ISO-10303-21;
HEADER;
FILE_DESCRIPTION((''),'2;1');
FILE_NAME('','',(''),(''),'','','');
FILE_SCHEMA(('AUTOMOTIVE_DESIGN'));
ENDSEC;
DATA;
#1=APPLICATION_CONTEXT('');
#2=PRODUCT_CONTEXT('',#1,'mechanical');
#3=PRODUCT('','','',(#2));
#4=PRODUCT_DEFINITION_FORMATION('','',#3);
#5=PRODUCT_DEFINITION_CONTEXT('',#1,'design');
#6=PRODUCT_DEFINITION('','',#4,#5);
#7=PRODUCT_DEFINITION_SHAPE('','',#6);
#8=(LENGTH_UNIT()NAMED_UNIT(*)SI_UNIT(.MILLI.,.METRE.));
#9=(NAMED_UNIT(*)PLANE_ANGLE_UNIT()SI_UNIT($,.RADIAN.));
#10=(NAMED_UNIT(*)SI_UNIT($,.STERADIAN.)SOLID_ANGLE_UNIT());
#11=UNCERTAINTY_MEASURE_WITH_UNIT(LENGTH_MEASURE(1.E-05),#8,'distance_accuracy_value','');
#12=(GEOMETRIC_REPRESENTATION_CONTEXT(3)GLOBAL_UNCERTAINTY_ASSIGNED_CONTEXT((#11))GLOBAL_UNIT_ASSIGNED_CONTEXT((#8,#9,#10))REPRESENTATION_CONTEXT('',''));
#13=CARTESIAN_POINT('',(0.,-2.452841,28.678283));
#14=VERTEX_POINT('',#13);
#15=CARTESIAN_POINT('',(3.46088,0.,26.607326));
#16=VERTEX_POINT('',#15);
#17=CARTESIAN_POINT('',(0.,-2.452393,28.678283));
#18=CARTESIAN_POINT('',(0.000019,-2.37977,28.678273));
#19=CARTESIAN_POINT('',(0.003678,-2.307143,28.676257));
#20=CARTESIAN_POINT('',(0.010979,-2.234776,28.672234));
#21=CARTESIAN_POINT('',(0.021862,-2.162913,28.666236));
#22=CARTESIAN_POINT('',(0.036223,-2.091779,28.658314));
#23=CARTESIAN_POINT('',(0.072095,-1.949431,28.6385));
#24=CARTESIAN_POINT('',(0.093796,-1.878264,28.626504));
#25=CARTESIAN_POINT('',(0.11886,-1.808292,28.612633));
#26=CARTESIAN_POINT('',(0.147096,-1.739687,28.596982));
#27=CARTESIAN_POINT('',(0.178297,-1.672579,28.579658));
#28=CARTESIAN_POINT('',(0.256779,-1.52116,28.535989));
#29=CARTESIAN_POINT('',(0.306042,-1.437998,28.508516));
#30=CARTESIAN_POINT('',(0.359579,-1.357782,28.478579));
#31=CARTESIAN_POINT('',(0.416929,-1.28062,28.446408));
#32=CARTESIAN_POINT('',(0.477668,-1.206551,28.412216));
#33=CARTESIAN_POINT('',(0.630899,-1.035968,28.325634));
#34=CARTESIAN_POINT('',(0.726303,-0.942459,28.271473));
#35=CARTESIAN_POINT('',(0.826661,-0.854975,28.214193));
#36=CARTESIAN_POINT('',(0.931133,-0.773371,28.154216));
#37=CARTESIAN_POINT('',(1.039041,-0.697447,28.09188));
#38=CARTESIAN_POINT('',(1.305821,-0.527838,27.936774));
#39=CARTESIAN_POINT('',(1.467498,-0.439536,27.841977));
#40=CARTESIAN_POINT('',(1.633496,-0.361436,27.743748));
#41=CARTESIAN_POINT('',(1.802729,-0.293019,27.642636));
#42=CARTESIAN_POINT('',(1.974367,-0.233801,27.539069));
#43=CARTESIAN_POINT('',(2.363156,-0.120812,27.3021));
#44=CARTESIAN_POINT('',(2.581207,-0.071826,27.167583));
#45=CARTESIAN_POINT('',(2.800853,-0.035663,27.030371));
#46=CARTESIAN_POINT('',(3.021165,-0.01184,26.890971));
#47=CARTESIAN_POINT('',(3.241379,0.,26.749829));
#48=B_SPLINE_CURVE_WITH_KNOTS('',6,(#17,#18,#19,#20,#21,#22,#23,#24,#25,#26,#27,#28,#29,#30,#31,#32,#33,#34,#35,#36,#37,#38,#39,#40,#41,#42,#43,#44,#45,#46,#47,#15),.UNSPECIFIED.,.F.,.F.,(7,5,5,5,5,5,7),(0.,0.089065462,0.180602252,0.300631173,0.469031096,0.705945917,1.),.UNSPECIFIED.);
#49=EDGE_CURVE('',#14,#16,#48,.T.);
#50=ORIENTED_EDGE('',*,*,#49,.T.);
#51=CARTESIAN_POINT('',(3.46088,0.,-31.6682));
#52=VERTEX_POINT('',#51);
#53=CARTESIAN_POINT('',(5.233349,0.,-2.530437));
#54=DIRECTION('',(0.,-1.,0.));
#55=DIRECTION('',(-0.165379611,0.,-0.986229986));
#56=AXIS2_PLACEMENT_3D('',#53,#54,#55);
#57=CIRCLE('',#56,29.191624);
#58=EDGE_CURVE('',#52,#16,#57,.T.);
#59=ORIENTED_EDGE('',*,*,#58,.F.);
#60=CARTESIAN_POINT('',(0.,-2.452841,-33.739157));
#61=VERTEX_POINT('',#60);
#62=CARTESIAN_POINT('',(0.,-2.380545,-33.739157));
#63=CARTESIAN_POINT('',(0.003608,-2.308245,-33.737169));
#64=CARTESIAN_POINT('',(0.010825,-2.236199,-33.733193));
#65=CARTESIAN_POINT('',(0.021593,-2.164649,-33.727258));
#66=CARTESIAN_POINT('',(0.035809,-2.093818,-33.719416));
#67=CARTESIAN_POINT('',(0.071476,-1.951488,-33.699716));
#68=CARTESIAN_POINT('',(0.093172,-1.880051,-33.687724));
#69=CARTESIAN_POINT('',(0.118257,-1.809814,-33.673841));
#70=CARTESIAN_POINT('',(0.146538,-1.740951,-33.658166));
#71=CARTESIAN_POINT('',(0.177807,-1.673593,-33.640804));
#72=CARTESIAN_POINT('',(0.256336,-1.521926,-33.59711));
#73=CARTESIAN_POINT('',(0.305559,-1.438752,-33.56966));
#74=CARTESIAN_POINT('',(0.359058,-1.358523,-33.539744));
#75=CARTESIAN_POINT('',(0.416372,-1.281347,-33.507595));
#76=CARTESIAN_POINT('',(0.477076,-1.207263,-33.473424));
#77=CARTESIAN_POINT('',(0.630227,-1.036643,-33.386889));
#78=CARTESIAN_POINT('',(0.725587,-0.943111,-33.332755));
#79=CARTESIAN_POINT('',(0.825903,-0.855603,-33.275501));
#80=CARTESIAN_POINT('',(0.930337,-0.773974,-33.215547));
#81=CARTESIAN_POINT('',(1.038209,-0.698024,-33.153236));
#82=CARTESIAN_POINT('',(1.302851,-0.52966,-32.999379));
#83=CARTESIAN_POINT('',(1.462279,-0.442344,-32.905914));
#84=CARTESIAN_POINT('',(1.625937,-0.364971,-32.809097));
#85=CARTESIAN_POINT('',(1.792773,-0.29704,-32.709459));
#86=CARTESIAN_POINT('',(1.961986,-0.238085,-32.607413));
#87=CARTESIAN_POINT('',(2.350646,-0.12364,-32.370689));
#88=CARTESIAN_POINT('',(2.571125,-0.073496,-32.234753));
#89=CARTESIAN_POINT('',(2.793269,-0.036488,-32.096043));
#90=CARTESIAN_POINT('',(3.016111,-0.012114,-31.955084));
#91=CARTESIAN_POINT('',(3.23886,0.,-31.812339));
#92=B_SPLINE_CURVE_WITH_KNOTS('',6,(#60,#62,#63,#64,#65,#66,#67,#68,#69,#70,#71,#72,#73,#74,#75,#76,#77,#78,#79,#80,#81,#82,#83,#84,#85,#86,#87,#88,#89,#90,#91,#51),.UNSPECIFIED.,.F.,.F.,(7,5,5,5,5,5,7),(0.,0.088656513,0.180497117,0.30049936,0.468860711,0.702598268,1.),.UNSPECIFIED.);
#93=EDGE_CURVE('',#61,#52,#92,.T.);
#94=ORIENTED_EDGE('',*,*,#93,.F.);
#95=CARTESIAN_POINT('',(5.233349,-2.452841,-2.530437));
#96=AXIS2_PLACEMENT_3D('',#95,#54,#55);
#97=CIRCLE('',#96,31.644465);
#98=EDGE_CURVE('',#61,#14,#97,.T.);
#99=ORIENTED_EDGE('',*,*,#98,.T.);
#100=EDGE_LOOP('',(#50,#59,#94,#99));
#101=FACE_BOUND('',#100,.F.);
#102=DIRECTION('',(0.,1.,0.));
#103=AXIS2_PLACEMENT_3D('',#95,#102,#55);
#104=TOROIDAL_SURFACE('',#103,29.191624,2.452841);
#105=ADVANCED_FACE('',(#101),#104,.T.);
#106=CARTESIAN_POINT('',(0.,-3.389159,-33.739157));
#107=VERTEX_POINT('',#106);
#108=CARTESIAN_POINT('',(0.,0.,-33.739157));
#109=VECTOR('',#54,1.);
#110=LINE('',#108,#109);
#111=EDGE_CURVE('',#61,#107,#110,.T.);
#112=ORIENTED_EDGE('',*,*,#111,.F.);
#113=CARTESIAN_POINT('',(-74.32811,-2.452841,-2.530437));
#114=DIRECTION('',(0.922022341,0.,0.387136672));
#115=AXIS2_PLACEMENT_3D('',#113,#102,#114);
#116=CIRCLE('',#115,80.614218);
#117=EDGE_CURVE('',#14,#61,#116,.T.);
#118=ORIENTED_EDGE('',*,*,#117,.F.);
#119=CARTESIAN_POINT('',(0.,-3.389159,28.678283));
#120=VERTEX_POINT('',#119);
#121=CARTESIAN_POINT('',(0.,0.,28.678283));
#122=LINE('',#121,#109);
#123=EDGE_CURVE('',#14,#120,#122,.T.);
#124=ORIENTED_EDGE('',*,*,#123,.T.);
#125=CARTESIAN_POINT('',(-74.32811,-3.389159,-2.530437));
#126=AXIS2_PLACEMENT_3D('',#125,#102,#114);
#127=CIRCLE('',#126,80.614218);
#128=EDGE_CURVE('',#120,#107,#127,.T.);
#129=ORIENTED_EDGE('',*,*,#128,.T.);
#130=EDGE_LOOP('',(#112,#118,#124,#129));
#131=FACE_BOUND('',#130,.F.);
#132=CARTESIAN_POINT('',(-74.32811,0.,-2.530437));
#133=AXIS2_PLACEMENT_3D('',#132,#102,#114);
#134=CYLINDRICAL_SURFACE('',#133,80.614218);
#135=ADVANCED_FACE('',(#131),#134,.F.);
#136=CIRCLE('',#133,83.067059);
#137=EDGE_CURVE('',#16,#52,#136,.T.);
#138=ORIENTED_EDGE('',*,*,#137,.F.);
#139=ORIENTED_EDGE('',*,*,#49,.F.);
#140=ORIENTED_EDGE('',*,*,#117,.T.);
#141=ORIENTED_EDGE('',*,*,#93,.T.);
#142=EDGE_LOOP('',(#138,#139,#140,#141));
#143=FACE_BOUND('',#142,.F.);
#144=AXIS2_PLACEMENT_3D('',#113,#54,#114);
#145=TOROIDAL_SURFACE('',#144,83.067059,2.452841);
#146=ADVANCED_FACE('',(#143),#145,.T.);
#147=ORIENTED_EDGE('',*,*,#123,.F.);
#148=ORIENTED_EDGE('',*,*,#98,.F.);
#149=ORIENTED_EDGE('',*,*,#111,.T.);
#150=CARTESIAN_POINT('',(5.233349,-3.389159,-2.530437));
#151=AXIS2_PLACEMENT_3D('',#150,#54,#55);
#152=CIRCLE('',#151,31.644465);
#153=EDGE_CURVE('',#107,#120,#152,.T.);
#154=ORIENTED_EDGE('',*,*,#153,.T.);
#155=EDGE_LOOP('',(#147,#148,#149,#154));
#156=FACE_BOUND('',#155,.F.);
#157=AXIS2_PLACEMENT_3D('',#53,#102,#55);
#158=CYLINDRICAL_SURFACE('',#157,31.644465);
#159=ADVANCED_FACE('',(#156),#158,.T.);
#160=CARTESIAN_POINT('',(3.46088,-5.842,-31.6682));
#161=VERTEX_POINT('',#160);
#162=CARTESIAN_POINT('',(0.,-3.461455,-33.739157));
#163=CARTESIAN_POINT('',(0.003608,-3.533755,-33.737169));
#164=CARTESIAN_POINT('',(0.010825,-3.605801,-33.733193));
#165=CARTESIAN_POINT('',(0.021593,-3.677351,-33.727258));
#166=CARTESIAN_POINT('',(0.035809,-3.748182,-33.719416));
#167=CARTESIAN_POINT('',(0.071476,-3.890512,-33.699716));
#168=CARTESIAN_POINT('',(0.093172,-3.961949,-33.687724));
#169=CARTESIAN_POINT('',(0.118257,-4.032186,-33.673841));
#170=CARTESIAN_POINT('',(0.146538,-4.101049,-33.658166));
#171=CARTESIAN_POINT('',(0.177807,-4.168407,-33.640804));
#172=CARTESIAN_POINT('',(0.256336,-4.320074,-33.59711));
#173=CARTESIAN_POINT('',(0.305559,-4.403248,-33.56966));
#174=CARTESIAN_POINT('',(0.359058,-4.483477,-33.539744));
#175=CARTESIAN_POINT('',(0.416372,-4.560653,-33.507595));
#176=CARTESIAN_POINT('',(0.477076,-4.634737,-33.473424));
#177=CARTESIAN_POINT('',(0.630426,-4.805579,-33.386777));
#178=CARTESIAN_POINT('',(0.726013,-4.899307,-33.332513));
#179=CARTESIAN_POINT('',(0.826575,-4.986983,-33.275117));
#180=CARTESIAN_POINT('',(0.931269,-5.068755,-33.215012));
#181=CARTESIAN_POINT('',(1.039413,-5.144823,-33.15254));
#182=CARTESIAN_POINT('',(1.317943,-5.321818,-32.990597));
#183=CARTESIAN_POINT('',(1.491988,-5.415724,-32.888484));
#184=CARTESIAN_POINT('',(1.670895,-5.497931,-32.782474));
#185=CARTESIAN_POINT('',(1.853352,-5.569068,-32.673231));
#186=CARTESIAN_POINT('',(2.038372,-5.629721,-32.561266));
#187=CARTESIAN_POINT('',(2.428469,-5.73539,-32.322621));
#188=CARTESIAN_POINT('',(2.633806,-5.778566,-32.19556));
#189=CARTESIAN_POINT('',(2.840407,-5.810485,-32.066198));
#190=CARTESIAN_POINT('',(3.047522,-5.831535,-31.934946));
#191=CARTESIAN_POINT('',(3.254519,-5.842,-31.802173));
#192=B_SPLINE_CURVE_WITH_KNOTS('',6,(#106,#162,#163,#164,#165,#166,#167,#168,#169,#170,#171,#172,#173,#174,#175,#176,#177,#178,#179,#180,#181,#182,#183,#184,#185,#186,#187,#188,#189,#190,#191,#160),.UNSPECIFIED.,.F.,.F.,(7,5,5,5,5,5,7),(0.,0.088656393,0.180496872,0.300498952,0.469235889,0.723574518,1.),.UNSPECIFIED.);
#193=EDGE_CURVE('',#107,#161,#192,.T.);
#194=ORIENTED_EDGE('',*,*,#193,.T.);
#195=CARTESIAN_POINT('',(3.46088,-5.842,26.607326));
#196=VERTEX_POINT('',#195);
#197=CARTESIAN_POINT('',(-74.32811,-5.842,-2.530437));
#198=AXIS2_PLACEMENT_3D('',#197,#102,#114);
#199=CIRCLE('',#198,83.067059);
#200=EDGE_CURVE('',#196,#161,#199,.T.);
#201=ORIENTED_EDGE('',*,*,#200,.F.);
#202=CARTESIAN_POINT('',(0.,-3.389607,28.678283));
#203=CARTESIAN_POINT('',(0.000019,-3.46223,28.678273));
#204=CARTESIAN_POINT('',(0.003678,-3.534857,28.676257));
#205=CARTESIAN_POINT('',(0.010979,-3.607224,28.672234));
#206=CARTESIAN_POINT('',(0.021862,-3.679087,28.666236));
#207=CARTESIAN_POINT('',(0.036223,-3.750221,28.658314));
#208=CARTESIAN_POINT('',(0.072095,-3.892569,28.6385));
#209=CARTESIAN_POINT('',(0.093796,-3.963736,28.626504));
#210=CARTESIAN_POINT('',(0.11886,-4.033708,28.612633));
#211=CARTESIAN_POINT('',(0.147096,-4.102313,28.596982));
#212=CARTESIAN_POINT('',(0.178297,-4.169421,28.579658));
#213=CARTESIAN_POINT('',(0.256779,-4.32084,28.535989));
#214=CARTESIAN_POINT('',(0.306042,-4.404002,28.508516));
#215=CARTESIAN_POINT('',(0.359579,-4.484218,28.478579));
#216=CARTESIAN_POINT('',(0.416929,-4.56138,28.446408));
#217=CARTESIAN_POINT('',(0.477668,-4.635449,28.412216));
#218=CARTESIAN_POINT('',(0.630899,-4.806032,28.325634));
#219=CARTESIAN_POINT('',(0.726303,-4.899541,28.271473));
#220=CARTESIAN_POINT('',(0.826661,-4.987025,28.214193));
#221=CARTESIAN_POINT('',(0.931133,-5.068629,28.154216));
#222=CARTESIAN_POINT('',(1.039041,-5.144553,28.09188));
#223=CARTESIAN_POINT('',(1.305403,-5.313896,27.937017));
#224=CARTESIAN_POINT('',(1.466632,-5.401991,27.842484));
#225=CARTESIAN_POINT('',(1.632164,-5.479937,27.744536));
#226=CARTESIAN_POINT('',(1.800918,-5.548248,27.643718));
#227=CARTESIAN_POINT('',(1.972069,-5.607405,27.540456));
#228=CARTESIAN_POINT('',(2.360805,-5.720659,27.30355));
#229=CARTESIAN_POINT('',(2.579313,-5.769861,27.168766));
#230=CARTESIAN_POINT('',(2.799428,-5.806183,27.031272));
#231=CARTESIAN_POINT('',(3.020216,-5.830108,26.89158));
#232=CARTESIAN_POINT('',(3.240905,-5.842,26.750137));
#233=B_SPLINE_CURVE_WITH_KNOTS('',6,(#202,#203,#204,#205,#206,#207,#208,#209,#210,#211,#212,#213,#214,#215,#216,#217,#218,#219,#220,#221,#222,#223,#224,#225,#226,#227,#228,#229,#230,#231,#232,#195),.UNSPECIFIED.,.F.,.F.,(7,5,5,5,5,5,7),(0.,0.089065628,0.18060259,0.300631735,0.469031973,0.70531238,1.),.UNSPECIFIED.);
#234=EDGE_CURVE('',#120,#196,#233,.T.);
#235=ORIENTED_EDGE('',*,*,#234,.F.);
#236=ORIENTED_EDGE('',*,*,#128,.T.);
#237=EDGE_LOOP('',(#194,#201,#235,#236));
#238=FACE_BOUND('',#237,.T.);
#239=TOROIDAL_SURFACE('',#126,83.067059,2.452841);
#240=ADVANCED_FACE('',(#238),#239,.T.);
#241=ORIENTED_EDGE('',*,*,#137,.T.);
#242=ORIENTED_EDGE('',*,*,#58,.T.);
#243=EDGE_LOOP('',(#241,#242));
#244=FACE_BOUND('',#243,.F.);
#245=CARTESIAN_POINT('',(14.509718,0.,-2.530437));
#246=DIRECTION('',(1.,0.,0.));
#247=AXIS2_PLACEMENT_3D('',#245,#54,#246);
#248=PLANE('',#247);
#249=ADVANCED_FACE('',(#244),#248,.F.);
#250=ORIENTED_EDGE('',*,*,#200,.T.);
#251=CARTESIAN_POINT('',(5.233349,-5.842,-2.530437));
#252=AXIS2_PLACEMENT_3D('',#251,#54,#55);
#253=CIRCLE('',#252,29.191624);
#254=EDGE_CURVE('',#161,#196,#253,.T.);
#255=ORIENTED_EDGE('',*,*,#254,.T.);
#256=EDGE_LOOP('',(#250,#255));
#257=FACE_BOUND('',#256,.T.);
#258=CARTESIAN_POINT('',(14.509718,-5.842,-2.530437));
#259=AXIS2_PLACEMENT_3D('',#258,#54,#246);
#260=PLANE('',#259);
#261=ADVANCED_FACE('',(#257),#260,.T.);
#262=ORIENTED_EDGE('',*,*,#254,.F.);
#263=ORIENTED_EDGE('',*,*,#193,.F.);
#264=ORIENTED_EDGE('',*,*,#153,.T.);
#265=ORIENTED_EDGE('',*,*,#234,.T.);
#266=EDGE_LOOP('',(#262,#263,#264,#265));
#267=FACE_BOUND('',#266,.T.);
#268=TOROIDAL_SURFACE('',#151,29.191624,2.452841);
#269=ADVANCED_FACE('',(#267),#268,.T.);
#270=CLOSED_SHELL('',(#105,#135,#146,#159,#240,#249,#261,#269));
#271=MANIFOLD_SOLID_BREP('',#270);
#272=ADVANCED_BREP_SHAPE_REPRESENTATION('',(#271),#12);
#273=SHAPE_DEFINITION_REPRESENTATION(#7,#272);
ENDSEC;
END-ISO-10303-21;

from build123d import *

# Parameters (mm, degrees)
F1_DEPTH = 5.842
F2_R     = 2.452841


with BuildPart() as f1:
    # F0 (on Front) → F1 (new body)
    with BuildSketch(Plane.XZ):
        with BuildLine():
            ThreePointArc((0, 28.678283), (6.286108, -2.530437), (0, -33.739157))
            ThreePointArc((0, -33.739157), (36.877814, -2.530437), (0, 28.678283))
        make_face()
    extrude(amount=F1_DEPTH)

    # F2
    f2_edges = [f1.edges().sort_by_distance(p)[0] for p in [
        (6.286108, -5.842, -2.530437),
        (36.877814, -5.842, -2.530437),
        (36.877814, 0, -2.530437),
        (6.286108, 0, -2.530437),
    ]]
    fillet(f2_edges, radius=F2_R)


solid = f1.part
